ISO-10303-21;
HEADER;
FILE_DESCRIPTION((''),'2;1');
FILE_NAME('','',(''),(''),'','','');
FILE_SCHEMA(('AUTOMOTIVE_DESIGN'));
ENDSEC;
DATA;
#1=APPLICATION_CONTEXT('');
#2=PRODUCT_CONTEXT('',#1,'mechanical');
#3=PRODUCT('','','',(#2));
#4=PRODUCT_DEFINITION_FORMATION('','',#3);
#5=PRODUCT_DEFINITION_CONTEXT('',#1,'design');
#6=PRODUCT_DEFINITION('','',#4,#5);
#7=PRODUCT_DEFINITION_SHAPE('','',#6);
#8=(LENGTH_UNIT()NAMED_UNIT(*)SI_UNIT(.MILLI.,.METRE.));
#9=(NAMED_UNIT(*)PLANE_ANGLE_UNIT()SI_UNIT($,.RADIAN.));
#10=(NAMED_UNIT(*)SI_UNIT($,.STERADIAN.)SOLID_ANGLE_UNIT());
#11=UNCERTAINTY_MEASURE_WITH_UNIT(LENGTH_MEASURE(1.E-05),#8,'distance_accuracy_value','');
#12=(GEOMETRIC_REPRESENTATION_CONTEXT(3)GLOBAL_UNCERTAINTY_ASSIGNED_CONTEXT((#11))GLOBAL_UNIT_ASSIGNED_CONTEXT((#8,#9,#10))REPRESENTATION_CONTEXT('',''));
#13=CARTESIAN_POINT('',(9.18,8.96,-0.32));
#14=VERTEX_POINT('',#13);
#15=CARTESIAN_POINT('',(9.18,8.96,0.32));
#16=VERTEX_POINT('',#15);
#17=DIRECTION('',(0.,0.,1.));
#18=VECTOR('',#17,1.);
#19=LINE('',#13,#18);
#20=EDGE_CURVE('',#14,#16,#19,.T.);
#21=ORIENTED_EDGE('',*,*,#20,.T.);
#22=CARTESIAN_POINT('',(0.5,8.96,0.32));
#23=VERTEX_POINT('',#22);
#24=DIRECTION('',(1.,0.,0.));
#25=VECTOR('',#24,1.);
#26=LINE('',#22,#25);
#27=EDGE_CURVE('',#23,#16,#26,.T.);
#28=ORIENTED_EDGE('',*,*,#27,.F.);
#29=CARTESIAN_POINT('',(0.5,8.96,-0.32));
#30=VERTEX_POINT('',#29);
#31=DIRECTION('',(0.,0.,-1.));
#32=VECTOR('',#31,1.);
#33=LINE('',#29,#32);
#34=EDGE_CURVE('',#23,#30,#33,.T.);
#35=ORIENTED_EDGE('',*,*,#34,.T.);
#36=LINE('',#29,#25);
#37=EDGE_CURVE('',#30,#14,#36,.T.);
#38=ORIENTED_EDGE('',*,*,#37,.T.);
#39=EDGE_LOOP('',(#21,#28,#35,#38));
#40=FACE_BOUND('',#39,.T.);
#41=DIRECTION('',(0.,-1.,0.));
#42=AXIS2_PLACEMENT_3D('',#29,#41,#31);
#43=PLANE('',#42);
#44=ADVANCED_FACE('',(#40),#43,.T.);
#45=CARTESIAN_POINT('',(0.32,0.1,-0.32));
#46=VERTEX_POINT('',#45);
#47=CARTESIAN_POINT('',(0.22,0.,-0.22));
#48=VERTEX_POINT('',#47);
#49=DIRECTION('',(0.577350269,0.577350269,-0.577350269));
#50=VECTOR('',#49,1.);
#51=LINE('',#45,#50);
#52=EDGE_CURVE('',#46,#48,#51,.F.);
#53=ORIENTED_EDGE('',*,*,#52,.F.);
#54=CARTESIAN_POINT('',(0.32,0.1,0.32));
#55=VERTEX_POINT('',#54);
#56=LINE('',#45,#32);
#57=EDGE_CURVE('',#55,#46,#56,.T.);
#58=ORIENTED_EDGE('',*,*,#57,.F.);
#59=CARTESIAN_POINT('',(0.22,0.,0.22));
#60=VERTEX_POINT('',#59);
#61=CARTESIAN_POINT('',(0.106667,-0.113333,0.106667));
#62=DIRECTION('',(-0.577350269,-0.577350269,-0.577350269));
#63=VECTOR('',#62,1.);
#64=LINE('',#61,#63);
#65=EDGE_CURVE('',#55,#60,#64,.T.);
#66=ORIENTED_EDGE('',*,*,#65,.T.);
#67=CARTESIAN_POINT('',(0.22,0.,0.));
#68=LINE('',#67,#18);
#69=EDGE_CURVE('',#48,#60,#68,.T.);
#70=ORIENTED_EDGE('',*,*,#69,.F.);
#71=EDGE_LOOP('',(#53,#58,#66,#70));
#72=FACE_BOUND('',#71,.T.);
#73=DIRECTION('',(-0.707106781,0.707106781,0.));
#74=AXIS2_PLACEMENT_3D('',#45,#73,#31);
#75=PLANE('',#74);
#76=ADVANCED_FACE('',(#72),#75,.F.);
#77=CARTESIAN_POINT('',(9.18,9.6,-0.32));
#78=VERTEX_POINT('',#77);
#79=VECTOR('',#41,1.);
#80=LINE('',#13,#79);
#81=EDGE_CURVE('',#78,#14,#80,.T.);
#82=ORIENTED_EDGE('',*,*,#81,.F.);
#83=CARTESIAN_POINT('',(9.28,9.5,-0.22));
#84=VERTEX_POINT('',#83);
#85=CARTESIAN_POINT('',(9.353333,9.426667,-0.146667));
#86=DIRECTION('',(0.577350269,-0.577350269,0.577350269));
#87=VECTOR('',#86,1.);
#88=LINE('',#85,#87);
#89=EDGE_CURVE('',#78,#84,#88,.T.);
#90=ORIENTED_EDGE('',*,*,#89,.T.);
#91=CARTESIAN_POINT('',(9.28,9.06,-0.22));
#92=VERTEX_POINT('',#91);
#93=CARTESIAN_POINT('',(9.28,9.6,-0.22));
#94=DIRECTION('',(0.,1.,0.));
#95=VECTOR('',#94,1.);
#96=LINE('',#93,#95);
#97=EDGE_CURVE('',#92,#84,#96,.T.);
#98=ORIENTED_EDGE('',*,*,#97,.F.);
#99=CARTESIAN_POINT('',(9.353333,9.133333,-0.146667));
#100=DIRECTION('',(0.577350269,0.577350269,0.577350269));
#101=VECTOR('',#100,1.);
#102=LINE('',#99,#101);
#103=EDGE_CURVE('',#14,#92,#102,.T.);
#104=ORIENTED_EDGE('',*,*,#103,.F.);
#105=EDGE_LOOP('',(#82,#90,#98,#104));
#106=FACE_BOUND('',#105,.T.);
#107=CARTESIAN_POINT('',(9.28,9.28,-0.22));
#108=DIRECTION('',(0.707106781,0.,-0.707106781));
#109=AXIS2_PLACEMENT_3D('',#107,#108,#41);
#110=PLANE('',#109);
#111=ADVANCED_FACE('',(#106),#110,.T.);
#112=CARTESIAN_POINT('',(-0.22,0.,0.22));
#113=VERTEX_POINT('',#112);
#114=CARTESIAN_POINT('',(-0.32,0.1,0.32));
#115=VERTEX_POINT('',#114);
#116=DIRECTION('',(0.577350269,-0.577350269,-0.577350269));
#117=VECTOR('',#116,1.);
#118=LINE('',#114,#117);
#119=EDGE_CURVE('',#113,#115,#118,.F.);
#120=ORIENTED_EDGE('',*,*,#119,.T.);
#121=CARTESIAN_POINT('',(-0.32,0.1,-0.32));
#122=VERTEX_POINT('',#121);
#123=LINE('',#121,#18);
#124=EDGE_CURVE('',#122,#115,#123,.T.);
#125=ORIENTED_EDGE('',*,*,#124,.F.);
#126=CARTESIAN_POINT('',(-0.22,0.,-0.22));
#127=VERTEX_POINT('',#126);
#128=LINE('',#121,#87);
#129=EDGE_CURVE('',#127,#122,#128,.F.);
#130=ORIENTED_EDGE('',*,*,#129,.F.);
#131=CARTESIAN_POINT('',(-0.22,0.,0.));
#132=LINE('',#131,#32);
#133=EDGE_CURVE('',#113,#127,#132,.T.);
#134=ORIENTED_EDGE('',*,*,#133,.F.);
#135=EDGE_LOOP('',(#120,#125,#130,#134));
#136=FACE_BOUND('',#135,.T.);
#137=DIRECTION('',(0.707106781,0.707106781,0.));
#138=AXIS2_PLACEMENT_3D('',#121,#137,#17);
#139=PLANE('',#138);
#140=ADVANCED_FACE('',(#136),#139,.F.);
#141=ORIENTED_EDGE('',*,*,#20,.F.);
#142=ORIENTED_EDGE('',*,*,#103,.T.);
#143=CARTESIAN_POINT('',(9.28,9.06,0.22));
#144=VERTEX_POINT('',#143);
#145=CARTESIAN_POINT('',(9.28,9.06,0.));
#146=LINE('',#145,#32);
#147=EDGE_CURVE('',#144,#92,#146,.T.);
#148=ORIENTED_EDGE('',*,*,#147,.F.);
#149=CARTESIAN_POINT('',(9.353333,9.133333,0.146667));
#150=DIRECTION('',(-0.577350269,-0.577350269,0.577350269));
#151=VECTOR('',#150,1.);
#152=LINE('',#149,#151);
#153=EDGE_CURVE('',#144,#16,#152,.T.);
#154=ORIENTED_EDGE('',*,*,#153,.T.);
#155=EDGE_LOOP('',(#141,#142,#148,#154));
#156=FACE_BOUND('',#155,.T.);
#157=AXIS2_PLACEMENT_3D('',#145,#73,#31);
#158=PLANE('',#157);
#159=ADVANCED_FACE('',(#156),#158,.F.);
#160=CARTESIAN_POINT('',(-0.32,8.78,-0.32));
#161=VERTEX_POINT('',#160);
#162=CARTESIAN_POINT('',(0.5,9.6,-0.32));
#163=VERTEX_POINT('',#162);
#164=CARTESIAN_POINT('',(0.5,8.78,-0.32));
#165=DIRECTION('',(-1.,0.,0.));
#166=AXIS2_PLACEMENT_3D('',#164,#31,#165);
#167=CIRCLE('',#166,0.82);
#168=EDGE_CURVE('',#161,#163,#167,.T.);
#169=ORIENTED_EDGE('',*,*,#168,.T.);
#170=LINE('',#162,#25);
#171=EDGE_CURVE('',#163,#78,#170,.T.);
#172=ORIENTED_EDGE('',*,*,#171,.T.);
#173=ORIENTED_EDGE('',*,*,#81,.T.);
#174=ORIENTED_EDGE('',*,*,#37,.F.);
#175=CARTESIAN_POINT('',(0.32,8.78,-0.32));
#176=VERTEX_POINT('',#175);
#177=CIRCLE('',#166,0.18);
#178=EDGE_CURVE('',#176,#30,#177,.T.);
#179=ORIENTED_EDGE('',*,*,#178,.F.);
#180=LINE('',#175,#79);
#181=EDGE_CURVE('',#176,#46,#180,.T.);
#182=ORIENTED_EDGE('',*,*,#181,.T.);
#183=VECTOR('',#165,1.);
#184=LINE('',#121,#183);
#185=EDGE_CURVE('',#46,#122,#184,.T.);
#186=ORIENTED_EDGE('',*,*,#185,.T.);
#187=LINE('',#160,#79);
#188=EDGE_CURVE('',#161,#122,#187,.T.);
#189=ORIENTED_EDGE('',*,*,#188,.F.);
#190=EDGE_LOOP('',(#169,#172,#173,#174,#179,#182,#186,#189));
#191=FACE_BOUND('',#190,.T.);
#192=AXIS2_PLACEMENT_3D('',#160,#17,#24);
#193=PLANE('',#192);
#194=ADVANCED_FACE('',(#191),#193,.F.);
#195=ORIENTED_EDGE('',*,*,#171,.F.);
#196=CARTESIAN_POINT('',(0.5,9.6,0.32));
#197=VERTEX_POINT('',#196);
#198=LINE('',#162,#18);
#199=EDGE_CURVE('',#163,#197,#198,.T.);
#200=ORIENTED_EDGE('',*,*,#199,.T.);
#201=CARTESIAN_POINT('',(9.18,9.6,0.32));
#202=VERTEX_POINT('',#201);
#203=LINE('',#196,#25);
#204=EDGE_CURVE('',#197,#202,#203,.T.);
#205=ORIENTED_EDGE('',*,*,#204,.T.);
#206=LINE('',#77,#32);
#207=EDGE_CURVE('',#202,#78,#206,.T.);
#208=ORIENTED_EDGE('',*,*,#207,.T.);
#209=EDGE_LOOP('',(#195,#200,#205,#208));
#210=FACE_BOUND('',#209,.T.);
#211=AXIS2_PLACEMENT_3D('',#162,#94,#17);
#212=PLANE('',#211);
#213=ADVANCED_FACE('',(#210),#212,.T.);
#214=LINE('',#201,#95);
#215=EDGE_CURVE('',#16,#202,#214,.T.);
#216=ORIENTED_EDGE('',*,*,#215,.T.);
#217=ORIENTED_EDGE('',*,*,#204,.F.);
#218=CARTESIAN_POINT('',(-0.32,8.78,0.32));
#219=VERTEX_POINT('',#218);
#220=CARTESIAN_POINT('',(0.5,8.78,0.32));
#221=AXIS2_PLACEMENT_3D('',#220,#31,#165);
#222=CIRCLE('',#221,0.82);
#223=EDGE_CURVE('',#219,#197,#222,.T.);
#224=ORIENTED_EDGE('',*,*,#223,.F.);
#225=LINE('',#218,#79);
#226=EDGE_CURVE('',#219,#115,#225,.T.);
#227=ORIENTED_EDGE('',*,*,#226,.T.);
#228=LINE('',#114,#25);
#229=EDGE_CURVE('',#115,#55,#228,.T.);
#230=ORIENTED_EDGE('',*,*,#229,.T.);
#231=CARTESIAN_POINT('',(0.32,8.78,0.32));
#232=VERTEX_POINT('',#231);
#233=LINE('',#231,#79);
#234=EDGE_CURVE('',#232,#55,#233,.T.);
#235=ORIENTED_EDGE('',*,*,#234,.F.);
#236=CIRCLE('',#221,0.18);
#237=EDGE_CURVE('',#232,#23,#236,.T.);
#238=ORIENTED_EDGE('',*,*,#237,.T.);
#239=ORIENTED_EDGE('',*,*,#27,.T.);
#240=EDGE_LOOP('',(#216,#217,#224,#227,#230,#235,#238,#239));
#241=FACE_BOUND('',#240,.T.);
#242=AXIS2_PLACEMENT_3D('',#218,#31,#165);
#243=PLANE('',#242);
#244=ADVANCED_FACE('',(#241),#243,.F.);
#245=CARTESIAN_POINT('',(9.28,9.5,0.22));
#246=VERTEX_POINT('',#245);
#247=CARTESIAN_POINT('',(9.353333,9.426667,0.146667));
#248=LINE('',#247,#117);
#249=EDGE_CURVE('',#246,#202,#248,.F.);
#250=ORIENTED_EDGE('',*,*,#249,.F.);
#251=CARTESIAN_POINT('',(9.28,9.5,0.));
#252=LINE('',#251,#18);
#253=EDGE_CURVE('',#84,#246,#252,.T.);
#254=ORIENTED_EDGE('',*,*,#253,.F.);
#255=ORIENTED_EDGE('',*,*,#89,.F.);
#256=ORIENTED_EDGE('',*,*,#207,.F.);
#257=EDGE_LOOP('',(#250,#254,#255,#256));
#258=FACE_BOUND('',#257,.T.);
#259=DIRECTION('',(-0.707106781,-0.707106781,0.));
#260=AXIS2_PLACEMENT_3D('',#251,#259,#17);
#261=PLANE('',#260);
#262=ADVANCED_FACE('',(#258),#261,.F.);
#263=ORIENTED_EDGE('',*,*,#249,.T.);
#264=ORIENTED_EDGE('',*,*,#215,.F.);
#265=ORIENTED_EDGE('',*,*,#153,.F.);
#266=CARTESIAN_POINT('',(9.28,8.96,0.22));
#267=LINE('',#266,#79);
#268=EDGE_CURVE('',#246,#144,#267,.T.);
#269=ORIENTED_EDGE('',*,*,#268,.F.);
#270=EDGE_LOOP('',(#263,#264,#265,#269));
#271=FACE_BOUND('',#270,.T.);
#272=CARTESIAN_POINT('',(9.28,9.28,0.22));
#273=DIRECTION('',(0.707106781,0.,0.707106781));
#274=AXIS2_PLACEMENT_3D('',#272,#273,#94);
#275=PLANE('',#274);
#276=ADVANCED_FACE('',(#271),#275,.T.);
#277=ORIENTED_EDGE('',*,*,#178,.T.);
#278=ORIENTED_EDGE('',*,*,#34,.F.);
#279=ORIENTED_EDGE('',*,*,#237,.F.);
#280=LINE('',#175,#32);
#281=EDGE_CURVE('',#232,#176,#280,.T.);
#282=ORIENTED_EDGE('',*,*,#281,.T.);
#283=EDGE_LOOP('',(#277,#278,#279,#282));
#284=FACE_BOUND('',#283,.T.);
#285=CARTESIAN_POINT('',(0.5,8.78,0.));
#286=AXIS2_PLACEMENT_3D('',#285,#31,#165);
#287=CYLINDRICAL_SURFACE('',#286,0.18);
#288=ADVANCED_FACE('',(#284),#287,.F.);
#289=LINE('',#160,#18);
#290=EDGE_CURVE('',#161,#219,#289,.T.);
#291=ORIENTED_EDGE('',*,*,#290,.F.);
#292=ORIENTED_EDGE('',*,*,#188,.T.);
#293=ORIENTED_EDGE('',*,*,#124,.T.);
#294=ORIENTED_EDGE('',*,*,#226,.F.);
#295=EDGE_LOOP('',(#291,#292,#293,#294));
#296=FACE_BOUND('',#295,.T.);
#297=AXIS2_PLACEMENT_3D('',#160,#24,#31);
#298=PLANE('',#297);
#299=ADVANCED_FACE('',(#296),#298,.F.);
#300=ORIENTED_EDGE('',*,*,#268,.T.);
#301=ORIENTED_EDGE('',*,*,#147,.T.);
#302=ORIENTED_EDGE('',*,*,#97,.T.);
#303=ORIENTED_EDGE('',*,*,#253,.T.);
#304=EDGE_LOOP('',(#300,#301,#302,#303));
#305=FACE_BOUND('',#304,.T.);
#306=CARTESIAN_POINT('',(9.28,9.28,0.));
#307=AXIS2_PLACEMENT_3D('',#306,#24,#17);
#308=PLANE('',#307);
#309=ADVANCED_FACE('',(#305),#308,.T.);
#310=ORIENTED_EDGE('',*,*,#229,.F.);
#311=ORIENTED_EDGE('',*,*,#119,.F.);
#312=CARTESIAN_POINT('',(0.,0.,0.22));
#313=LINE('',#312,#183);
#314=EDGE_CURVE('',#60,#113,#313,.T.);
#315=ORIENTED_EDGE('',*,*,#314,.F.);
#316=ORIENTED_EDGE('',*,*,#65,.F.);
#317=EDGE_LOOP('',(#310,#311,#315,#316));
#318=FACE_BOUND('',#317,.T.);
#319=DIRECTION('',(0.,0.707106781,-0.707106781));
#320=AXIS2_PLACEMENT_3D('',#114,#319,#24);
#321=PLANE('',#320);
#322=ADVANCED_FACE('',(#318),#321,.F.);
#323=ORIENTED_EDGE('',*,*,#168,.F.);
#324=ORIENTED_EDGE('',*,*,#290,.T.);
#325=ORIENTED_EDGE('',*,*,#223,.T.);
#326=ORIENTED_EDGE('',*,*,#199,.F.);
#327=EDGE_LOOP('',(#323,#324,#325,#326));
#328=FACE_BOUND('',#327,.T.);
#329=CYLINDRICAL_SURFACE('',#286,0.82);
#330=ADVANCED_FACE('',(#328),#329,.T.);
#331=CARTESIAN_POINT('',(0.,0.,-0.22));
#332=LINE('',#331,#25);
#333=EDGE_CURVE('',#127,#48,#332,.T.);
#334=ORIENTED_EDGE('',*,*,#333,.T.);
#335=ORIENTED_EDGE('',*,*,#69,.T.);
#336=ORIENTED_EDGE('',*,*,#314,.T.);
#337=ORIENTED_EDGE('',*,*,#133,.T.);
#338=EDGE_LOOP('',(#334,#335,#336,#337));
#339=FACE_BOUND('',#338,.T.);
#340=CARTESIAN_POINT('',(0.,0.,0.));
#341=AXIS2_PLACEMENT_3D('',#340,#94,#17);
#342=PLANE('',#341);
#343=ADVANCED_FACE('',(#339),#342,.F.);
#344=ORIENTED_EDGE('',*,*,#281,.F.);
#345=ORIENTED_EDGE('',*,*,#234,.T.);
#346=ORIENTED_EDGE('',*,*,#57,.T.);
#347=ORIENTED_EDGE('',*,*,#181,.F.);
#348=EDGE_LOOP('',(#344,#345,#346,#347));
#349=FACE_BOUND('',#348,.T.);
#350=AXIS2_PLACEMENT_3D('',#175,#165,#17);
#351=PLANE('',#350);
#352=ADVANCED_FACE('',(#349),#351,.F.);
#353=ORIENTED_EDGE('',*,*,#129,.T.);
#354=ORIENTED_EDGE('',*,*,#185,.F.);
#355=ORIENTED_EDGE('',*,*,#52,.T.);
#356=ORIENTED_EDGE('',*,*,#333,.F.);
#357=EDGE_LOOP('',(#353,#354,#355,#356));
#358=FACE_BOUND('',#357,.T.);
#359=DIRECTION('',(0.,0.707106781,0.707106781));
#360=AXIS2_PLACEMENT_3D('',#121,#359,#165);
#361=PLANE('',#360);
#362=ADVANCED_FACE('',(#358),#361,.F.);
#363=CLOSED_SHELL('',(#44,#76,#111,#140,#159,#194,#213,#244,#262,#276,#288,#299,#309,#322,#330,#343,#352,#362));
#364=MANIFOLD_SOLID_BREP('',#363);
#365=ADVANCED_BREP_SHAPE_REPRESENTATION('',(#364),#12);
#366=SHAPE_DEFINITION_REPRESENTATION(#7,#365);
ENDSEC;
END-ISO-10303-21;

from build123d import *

# Parameters (mm, degrees)
SKETCH_1_W     = 0.64
SKETCH_1_H     = 0.64
CHAMFER_1_SIZE = 0.1


with BuildPart() as part:
    # По траектории1: sweep along a path in Эскиз2
    with BuildLine(Plane.XY) as sweep_1_path:
        Line((0, 0), (0, 8.78))
        ThreePointArc((0, 8.78), (0.146446609, 9.133553391), (0.5, 9.28))
        Line((0.5, 9.28), (9.28, 9.28))
    # Эскиз1 → По траектории1 (sweep)
    with BuildSketch(Plane(origin=(0, 0, 0), x_dir=(1, 0, 0), z_dir=(0, 1, 0))):
        Rectangle(SKETCH_1_W, SKETCH_1_H)
    sweep(path=sweep_1_path.line)

    # Фаска1
    chamfer_1_edges = [part.edges().sort_by_distance(p)[0] for p in [
        (9.28, 8.96, 0),
        (9.28, 9.28, 0.32),
        (9.28, 9.6, 0),
        (9.28, 9.28, -0.32),
        (0, 0, 0.32),
        (-0.32, 0, 0),
        (0, 0, -0.32),
        (0.32, 0, 0),
    ]]
    chamfer(chamfer_1_edges, length=CHAMFER_1_SIZE)


solid = part.part
